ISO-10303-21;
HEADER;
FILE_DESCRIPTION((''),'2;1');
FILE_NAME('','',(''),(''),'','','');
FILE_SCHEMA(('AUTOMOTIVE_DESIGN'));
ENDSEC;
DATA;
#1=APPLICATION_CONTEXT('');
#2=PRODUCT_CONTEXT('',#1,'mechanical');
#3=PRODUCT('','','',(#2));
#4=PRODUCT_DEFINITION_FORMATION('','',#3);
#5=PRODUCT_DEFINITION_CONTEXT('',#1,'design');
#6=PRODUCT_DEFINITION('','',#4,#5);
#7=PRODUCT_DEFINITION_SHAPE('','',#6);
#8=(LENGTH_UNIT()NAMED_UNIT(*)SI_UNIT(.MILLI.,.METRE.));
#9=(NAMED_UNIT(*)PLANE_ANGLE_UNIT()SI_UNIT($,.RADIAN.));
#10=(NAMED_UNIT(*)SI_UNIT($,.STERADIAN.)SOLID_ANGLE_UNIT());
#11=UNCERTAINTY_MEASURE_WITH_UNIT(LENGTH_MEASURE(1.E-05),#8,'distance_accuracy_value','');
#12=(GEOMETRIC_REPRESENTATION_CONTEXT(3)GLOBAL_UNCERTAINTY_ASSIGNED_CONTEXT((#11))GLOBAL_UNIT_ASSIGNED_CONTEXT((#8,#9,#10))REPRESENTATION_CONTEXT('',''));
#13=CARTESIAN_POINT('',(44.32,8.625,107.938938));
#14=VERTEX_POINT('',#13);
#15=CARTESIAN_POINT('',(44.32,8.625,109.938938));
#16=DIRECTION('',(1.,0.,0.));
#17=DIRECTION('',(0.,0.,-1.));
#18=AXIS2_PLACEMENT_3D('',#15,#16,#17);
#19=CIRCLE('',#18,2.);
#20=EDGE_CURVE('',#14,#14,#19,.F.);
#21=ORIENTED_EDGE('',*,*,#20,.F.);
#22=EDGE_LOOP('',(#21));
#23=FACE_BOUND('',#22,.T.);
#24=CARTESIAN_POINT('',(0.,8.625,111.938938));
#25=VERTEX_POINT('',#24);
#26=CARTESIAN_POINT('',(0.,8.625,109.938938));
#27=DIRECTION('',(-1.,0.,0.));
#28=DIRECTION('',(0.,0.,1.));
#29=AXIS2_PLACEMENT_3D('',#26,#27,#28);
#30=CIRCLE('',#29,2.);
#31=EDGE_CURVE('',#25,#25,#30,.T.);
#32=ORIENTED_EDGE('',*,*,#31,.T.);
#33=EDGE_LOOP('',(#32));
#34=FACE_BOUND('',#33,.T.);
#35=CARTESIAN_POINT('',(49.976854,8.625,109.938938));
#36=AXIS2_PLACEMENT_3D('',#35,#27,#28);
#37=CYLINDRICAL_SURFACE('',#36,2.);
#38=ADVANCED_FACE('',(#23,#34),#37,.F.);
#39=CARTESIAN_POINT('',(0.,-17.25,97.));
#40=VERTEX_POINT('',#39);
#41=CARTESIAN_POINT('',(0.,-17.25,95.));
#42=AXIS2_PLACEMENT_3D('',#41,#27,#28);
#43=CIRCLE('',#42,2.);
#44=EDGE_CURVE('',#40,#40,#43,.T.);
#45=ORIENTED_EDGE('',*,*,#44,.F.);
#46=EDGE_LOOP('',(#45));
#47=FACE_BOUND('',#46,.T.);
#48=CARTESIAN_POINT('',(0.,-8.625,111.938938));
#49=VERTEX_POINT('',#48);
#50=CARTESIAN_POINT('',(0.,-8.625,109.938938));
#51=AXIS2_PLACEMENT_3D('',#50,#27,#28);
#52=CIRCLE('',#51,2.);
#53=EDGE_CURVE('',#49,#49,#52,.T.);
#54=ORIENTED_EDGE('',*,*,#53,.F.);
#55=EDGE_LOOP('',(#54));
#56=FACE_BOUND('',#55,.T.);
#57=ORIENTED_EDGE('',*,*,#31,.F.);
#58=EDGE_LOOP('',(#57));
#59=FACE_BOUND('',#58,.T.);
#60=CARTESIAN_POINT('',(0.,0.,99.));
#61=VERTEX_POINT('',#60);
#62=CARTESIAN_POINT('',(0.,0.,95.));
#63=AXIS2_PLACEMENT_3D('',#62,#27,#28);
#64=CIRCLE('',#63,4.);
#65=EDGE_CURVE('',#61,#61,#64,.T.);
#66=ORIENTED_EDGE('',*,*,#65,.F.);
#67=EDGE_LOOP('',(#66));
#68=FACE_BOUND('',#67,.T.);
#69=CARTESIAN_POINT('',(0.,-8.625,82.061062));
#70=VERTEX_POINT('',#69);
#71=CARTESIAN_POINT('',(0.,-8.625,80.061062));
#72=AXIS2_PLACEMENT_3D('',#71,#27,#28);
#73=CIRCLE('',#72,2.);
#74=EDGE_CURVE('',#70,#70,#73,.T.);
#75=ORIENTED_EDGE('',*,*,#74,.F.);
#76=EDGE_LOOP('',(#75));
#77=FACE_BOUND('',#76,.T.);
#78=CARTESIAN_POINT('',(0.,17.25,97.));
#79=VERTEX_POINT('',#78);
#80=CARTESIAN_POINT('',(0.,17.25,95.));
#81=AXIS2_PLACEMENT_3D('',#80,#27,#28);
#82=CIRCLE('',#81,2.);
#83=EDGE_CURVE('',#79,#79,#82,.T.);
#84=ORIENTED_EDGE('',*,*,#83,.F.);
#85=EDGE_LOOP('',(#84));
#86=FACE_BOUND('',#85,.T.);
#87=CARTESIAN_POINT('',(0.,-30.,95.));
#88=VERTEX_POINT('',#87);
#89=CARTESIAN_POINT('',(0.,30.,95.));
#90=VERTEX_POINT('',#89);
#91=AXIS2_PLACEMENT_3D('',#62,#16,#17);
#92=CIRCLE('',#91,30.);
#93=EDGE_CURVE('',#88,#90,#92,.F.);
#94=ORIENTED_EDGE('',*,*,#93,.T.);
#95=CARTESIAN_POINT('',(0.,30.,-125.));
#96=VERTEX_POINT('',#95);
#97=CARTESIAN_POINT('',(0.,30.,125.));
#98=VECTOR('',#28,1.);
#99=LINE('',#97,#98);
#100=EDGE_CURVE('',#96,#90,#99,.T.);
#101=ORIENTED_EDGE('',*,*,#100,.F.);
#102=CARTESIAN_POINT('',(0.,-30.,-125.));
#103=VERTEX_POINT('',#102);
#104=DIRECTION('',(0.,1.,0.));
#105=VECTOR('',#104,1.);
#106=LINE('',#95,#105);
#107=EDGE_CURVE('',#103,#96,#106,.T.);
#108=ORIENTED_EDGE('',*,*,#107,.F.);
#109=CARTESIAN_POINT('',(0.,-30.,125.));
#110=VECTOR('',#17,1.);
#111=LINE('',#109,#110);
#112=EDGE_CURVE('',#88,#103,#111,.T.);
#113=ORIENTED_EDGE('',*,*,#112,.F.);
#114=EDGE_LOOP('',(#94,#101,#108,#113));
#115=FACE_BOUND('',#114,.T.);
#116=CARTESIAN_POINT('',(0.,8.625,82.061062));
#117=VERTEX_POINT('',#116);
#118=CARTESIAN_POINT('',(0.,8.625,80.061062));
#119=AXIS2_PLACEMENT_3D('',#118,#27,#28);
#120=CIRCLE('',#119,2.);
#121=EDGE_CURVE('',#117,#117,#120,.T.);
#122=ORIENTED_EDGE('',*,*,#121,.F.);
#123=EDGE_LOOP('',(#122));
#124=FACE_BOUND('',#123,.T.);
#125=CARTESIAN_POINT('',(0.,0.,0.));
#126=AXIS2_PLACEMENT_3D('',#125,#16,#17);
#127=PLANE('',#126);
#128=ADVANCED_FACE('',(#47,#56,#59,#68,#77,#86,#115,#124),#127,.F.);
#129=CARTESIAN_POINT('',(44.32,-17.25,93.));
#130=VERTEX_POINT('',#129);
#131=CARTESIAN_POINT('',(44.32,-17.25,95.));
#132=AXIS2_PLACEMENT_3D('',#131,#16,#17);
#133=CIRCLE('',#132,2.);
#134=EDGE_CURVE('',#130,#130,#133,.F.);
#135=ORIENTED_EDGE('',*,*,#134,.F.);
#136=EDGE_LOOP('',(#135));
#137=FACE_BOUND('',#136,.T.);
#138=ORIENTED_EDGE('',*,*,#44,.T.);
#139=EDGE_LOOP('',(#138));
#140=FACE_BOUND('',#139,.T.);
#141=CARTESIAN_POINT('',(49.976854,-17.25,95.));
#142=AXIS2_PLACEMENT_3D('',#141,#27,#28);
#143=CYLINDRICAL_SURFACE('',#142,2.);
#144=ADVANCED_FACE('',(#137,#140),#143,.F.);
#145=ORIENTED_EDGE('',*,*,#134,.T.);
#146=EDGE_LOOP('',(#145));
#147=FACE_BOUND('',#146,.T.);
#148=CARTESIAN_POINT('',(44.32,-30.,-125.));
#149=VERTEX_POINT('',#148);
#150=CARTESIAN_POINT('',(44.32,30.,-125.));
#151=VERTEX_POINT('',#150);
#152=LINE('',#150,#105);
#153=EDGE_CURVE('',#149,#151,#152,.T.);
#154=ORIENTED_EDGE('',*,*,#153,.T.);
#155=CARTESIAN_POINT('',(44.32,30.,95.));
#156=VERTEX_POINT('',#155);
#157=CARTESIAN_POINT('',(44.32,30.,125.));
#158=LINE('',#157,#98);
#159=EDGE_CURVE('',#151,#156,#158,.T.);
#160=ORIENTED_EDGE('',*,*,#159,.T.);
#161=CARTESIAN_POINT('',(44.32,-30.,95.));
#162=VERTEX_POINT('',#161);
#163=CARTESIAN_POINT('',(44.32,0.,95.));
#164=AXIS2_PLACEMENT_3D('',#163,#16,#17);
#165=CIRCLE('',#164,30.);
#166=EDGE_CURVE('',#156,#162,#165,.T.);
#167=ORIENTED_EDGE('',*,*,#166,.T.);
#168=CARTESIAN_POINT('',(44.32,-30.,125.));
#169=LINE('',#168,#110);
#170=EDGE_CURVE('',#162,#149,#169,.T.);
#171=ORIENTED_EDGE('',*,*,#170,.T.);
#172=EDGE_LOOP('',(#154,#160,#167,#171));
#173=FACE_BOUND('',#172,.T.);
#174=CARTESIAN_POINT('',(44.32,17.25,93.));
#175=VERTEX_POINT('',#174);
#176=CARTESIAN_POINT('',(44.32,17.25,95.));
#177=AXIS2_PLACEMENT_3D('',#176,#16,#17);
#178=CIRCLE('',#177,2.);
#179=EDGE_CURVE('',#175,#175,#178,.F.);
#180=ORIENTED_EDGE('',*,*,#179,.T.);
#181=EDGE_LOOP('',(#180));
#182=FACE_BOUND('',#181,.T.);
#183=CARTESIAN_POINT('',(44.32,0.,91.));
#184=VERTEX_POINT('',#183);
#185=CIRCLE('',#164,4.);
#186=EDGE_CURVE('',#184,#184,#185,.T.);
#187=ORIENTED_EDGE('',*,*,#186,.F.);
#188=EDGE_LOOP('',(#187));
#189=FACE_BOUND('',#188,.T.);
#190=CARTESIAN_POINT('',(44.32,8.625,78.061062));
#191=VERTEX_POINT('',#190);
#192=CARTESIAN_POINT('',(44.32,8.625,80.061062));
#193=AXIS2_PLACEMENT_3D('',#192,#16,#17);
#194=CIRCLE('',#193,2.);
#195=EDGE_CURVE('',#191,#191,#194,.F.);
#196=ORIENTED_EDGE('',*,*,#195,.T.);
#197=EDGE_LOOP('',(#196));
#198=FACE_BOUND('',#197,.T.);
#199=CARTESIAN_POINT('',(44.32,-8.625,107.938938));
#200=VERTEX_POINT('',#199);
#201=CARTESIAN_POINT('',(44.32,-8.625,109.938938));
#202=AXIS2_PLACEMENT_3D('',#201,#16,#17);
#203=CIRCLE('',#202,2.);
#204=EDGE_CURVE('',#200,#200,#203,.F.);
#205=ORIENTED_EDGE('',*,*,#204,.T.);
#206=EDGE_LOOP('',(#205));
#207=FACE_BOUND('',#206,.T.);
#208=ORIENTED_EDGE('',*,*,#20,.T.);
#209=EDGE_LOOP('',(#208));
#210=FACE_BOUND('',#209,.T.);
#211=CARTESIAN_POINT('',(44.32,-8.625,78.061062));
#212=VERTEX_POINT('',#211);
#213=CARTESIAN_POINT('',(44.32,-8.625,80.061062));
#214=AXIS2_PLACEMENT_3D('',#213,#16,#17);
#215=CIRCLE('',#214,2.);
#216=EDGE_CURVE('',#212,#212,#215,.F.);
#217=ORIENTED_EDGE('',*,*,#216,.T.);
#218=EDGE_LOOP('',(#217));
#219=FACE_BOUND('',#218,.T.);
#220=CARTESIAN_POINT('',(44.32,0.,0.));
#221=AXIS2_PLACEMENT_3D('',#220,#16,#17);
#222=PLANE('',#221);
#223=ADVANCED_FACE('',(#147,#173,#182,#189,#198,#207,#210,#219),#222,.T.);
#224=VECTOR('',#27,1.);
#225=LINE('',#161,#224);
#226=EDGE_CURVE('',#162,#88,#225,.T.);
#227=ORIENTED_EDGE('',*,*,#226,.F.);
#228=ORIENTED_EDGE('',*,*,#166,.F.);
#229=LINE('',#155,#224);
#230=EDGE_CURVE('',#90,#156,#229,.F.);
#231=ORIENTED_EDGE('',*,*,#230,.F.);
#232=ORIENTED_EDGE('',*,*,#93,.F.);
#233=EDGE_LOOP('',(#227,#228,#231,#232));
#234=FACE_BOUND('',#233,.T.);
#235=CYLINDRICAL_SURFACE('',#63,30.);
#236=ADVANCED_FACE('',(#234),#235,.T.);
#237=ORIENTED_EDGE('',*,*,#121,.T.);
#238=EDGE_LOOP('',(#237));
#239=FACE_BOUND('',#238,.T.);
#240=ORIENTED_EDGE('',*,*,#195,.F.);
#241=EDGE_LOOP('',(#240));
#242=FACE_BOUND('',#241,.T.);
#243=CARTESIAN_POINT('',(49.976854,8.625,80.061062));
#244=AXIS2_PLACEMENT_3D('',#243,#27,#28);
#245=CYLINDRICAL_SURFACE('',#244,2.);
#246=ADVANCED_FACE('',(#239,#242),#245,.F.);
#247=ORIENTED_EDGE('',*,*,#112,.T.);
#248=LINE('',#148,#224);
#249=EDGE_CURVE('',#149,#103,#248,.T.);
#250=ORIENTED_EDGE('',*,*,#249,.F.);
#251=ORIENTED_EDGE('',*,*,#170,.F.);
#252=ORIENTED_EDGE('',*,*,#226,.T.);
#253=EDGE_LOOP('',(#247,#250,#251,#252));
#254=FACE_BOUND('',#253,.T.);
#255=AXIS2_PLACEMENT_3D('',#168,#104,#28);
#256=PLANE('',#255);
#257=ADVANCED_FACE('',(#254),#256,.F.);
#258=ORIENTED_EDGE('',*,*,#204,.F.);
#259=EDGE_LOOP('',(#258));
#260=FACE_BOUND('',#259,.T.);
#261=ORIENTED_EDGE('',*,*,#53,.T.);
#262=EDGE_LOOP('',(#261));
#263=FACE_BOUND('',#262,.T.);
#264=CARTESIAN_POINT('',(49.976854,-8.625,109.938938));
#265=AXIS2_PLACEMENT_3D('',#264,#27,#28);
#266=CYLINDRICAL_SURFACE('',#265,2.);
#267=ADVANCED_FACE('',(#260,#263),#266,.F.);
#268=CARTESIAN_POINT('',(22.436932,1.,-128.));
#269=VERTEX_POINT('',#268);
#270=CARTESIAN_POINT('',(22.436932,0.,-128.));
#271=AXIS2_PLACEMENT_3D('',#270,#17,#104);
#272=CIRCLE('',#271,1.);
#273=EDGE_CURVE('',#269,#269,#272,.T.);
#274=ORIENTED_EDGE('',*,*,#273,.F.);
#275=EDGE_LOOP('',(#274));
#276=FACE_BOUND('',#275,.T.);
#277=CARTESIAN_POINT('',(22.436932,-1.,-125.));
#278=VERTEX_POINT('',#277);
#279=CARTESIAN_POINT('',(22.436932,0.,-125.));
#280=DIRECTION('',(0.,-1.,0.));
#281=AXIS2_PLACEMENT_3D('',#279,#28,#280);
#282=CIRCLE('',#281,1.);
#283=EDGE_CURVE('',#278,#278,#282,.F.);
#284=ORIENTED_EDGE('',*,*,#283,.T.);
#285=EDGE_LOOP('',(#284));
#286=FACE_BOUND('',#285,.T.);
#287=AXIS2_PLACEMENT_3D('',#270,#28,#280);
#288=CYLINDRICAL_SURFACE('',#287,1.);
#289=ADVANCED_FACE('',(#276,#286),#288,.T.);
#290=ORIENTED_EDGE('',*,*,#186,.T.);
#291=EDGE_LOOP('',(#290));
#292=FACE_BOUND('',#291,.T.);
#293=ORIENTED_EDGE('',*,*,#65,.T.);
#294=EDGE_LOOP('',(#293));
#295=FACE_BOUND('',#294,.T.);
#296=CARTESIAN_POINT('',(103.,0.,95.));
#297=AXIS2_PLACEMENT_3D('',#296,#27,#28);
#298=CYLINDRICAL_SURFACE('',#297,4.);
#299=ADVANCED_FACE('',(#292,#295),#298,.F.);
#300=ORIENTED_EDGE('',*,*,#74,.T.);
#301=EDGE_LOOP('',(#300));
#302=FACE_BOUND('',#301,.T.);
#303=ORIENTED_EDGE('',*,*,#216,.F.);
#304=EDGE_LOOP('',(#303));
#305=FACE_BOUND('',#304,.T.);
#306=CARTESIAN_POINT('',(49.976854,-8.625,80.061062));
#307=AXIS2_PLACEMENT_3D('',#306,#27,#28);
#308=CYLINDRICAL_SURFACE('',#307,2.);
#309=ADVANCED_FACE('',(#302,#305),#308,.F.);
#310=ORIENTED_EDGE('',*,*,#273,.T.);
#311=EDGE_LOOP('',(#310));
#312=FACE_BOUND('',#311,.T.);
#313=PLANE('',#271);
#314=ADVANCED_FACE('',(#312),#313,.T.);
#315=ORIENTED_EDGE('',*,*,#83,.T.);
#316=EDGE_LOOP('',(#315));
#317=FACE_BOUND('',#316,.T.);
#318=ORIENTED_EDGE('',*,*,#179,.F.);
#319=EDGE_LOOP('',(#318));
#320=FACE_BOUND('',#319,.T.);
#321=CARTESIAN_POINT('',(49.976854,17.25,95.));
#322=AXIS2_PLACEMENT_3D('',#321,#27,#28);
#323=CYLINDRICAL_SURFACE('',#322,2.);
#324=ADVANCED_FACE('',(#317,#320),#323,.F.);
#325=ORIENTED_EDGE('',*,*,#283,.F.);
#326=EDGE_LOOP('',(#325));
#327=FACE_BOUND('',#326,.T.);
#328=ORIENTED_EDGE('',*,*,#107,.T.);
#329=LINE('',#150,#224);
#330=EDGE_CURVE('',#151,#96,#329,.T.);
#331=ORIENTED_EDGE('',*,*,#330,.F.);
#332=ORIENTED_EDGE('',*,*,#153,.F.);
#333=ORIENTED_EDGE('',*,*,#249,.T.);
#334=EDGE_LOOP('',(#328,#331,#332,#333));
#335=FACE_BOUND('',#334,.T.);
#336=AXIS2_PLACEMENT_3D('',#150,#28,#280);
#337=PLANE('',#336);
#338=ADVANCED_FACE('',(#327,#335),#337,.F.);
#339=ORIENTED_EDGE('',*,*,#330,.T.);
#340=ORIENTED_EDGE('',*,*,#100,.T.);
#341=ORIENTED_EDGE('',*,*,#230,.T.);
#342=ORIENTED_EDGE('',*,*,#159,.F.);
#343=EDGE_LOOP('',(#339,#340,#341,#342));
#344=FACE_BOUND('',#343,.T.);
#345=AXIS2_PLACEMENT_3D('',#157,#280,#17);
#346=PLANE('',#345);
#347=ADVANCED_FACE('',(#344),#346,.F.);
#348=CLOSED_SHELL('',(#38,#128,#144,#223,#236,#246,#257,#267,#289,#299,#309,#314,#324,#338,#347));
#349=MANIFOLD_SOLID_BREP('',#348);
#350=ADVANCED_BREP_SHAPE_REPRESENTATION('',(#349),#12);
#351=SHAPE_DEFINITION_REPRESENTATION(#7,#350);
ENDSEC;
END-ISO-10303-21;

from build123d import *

# Parameters (mm, degrees)
SKETCH_1_W          = 250
SKETCH_1_H          = 60
EXTRUDE_2_DEPTH     = 44.32
FILLET_2_RADIUS     = 30
FILLET_2_LENGTH     = 44.32
SKETCH_2_R          = 1
EXTRUDE_3_DEPTH     = 3
SKETCH_3_R          = 2
CUT_EXTRUDE_1_DEPTH = 44.32
SKETCH_4_R          = 4
CUT_EXTRUDE_2_DEPTH = 103


with BuildPart() as part:
    # 草图1 → 凸台-拉伸2 (new body)
    with BuildSketch(Plane(origin=(0, 0, 0), x_dir=(0, 0, -1), z_dir=(1, 0, 0))):
        Rectangle(SKETCH_1_W, SKETCH_1_H)
    extrude(amount=EXTRUDE_2_DEPTH)

    # 圆角2: full round fillet: the end face becomes a half cylinder, R = half its width
    fillet_2_face = Plane((22.16, 0, 125), x_dir=(1, 0, 0), z_dir=(0, 0, 1))  # on the end face: x along it, z out of the body
    fillet_2_slab = fillet_2_face.offset(-FILLET_2_RADIUS / 2) * Box(FILLET_2_LENGTH, 2 * FILLET_2_RADIUS, FILLET_2_RADIUS, mode=Mode.PRIVATE)  # the body's end, R deep
    fillet_2_round = Plane((22.16, 0, 95), x_dir=(0, 0, 1), z_dir=(1, 0, 0)) * Cylinder(FILLET_2_RADIUS, FILLET_2_LENGTH, mode=Mode.PRIVATE)  # its axis R under the face
    add(fillet_2_slab - fillet_2_round, mode=Mode.SUBTRACT)

    # 草图2 → 凸台-拉伸3 (add)
    with BuildSketch(Plane(origin=(0, 0, -125), x_dir=(-1, 0, 0), z_dir=(0, 0, -1))):
        with Locations(Location((-22.436932243, 0, 0), (0, 0, 270))):
            Circle(SKETCH_2_R)
    extrude(amount=EXTRUDE_3_DEPTH)

    # 草图3 → 切除-拉伸1 (cut)
    with BuildSketch(Plane.ZY):
        with Locations((95, 17.25)):
            Circle(SKETCH_3_R)
        with Locations((109.938938215, 8.625)):
            Circle(SKETCH_3_R)
        with Locations((109.938938215, -8.625)):
            Circle(SKETCH_3_R)
        with Locations((95, -17.25)):
            Circle(SKETCH_3_R)
        with Locations((80.061061785, -8.625)):
            Circle(SKETCH_3_R)
        with Locations((80.061061785, 8.625)):
            Circle(SKETCH_3_R)
    extrude(amount=-CUT_EXTRUDE_1_DEPTH, mode=Mode.SUBTRACT)

    # 草图4 → 切除-拉伸2 (cut)
    with BuildSketch(Plane.ZY):
        with Locations((95, 0)):
            Circle(SKETCH_4_R)
    extrude(amount=-CUT_EXTRUDE_2_DEPTH, mode=Mode.SUBTRACT)


solid = part.part
